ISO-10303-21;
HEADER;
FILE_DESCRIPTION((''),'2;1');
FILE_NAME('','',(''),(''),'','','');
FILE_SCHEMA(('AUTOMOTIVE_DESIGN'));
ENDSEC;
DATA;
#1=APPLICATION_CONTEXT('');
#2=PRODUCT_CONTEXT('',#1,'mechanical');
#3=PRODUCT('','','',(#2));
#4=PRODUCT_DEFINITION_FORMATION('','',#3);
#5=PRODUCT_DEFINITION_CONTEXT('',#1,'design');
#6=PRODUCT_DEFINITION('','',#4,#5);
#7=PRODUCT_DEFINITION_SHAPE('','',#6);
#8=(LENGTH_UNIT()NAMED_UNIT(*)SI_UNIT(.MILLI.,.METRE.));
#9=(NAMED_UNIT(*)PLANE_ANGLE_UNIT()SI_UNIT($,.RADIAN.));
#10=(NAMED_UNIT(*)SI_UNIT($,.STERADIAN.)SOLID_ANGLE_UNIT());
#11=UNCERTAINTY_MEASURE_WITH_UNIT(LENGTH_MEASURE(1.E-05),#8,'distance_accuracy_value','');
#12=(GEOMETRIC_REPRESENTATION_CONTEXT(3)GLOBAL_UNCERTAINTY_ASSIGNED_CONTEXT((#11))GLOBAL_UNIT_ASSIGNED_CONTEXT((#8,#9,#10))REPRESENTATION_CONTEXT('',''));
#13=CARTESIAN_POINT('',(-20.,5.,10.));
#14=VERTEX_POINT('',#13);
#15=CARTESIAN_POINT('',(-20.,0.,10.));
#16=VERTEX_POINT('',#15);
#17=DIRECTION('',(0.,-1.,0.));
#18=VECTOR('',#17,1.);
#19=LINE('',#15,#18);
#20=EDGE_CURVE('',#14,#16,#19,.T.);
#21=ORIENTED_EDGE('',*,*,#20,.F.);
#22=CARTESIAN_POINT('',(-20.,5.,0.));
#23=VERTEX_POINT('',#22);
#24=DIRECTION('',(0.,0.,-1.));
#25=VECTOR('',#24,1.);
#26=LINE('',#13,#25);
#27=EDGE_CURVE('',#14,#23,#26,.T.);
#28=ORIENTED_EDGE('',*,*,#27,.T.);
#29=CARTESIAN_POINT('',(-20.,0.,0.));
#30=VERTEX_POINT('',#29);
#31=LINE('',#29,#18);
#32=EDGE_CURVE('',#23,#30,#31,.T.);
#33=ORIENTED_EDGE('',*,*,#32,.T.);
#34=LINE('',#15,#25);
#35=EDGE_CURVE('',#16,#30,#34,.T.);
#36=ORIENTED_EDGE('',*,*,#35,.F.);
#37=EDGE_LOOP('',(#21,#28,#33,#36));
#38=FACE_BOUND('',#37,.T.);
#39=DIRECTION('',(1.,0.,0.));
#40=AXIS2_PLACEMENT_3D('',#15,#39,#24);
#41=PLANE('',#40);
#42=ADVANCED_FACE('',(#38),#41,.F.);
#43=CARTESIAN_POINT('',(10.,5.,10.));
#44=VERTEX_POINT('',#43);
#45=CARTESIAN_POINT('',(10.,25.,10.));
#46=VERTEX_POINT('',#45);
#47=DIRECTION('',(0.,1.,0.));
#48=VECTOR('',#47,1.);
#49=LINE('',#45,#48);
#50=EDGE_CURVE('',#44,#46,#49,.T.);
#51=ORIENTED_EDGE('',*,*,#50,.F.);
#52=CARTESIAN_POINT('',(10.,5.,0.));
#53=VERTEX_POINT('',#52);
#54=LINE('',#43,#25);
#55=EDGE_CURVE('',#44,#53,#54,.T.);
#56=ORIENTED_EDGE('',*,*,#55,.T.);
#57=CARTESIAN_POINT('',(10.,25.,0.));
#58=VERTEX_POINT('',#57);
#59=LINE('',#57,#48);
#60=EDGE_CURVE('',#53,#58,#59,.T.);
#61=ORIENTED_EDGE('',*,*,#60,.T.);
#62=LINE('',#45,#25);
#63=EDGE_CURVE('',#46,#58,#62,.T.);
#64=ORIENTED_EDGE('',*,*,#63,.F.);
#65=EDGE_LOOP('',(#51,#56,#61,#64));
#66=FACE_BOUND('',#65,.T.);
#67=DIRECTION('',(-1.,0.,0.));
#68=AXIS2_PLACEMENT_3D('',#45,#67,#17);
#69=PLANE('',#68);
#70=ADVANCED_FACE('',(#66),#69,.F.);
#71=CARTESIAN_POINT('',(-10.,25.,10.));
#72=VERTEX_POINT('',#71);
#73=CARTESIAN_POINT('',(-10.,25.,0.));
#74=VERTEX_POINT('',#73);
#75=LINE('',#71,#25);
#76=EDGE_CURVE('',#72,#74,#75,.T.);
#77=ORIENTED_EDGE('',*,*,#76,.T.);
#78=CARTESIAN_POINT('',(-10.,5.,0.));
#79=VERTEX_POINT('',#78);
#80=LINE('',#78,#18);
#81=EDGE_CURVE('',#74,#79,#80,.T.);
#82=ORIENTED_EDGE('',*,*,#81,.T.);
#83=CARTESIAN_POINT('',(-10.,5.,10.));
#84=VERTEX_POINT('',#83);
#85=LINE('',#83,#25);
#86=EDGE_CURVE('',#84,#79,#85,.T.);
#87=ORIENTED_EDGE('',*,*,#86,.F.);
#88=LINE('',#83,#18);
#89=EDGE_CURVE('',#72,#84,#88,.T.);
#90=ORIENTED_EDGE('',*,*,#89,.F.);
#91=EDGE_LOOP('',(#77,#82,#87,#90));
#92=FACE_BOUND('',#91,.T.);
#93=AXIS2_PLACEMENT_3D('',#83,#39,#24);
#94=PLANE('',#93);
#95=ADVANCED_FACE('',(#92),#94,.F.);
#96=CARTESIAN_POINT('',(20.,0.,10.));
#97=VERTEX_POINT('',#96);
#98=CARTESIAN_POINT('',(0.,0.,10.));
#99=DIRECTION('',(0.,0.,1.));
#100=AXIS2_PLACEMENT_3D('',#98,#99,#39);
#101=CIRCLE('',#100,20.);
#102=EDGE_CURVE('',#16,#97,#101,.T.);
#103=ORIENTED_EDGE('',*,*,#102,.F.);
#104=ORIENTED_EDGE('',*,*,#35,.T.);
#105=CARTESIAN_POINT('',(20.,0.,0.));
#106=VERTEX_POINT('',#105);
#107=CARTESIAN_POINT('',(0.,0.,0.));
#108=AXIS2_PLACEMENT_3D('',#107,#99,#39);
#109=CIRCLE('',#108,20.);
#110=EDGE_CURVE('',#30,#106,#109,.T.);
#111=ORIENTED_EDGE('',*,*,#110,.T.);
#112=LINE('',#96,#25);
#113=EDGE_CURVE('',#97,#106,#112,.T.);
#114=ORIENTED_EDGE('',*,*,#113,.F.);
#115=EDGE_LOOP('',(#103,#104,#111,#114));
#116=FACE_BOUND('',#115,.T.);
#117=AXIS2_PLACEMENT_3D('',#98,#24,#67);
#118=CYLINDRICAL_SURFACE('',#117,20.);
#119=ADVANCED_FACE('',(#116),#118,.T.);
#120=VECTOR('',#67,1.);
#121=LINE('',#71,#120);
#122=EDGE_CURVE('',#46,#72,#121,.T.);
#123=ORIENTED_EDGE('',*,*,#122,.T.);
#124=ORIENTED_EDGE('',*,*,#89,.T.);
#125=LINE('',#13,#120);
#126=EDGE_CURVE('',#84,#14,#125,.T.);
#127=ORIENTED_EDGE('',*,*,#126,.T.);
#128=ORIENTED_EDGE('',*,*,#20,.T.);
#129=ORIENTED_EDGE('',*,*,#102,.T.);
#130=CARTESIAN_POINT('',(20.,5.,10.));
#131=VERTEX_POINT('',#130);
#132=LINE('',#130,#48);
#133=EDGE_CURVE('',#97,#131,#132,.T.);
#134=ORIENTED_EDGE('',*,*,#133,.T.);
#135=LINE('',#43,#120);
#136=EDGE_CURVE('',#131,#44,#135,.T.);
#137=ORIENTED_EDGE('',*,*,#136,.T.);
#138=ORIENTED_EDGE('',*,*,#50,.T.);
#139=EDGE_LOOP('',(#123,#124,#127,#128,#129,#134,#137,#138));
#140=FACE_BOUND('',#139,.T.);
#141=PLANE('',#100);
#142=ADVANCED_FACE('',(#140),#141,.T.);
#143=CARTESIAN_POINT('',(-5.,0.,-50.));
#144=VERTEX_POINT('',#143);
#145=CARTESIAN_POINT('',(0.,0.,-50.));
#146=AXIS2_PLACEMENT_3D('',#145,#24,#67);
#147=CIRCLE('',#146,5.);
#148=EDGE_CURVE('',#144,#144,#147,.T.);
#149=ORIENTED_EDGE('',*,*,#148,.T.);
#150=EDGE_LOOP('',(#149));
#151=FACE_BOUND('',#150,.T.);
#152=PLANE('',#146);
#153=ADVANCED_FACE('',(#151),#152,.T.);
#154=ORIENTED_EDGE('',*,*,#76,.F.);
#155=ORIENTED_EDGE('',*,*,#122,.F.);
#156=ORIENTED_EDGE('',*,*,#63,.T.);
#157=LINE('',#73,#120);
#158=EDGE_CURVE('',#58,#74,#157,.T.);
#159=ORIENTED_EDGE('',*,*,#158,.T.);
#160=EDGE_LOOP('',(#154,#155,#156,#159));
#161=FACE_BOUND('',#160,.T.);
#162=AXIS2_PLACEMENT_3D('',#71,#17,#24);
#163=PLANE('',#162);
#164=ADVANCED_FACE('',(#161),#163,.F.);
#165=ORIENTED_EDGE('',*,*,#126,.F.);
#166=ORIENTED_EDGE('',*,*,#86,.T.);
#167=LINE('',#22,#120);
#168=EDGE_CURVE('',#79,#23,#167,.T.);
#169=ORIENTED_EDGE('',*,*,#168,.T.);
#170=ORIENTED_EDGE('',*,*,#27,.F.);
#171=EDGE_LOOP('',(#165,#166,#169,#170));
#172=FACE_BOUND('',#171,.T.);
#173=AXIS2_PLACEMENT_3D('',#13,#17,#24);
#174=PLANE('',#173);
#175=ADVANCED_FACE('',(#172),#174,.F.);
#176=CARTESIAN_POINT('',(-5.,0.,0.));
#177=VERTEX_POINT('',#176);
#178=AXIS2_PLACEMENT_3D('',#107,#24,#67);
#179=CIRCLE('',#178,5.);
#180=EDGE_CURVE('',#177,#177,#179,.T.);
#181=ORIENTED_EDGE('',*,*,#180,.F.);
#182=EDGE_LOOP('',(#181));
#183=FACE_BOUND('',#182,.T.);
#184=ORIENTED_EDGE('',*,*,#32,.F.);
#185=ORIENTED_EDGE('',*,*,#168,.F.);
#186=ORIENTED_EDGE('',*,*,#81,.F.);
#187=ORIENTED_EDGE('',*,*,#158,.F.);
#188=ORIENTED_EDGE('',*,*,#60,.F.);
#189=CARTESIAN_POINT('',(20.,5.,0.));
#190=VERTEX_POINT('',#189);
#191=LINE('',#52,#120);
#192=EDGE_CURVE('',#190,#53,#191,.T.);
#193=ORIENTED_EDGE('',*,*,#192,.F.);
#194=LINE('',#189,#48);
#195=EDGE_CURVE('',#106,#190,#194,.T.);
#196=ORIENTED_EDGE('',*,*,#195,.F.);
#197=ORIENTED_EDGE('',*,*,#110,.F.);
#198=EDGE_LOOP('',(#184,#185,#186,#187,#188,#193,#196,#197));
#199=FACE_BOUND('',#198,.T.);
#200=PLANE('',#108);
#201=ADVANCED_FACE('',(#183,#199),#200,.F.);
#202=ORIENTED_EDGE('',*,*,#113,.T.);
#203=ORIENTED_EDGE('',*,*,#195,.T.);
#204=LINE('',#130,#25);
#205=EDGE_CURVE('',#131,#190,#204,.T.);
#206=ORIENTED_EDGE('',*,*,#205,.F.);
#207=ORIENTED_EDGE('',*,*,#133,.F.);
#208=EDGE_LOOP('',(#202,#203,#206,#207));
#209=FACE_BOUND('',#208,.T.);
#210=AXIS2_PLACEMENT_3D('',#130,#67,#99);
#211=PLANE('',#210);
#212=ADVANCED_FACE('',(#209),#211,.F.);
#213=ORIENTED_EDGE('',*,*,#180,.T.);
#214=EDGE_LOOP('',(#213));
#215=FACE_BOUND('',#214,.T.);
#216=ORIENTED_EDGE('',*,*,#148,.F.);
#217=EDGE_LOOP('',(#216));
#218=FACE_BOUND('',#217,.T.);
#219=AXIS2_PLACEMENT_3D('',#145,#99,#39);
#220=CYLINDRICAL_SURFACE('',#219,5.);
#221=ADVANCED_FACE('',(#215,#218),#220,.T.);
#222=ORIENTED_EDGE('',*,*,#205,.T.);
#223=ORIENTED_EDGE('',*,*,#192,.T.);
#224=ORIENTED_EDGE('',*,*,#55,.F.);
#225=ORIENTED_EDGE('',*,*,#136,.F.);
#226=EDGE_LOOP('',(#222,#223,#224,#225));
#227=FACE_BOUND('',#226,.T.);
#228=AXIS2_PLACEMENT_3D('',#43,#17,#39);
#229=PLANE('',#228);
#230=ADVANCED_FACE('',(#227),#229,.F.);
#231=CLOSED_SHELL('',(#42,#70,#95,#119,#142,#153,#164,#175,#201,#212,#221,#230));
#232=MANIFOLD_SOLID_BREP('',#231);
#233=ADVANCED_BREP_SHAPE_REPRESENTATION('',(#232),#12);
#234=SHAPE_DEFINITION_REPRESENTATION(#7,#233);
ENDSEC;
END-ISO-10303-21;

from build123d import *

# Parameters (mm, degrees)
BOSS_EXTRU_1_DEPTH = 10
ESQUISSE2_R        = 5
BOSS_EXTRU_2_DEPTH = 50


with BuildPart() as part:
    # Esquisse1 → Boss.-Extru.1 (new body)
    with BuildSketch(Plane.XY):
        with BuildLine():
            Line((-20, 0), (-20, 5))
            Line((-20, 5), (-10, 5))
            Line((-10, 5), (-10, 25))
            Line((-10, 25), (10, 25))
            Line((10, 25), (10, 5))
            Line((10, 5), (20, 5))
            Line((20, 5), (20, 0))
            ThreePointArc((20, 0), (0, -20), (-20, 0))
        make_face()
    extrude(amount=BOSS_EXTRU_1_DEPTH)

    # Esquisse2 → Boss.-Extru.2 (add)
    with BuildSketch(Plane(origin=(0, 0, 0), x_dir=(-1, 0, 0), z_dir=(0, 0, -1))):
        Circle(ESQUISSE2_R)
    extrude(amount=BOSS_EXTRU_2_DEPTH)


solid = part.part
